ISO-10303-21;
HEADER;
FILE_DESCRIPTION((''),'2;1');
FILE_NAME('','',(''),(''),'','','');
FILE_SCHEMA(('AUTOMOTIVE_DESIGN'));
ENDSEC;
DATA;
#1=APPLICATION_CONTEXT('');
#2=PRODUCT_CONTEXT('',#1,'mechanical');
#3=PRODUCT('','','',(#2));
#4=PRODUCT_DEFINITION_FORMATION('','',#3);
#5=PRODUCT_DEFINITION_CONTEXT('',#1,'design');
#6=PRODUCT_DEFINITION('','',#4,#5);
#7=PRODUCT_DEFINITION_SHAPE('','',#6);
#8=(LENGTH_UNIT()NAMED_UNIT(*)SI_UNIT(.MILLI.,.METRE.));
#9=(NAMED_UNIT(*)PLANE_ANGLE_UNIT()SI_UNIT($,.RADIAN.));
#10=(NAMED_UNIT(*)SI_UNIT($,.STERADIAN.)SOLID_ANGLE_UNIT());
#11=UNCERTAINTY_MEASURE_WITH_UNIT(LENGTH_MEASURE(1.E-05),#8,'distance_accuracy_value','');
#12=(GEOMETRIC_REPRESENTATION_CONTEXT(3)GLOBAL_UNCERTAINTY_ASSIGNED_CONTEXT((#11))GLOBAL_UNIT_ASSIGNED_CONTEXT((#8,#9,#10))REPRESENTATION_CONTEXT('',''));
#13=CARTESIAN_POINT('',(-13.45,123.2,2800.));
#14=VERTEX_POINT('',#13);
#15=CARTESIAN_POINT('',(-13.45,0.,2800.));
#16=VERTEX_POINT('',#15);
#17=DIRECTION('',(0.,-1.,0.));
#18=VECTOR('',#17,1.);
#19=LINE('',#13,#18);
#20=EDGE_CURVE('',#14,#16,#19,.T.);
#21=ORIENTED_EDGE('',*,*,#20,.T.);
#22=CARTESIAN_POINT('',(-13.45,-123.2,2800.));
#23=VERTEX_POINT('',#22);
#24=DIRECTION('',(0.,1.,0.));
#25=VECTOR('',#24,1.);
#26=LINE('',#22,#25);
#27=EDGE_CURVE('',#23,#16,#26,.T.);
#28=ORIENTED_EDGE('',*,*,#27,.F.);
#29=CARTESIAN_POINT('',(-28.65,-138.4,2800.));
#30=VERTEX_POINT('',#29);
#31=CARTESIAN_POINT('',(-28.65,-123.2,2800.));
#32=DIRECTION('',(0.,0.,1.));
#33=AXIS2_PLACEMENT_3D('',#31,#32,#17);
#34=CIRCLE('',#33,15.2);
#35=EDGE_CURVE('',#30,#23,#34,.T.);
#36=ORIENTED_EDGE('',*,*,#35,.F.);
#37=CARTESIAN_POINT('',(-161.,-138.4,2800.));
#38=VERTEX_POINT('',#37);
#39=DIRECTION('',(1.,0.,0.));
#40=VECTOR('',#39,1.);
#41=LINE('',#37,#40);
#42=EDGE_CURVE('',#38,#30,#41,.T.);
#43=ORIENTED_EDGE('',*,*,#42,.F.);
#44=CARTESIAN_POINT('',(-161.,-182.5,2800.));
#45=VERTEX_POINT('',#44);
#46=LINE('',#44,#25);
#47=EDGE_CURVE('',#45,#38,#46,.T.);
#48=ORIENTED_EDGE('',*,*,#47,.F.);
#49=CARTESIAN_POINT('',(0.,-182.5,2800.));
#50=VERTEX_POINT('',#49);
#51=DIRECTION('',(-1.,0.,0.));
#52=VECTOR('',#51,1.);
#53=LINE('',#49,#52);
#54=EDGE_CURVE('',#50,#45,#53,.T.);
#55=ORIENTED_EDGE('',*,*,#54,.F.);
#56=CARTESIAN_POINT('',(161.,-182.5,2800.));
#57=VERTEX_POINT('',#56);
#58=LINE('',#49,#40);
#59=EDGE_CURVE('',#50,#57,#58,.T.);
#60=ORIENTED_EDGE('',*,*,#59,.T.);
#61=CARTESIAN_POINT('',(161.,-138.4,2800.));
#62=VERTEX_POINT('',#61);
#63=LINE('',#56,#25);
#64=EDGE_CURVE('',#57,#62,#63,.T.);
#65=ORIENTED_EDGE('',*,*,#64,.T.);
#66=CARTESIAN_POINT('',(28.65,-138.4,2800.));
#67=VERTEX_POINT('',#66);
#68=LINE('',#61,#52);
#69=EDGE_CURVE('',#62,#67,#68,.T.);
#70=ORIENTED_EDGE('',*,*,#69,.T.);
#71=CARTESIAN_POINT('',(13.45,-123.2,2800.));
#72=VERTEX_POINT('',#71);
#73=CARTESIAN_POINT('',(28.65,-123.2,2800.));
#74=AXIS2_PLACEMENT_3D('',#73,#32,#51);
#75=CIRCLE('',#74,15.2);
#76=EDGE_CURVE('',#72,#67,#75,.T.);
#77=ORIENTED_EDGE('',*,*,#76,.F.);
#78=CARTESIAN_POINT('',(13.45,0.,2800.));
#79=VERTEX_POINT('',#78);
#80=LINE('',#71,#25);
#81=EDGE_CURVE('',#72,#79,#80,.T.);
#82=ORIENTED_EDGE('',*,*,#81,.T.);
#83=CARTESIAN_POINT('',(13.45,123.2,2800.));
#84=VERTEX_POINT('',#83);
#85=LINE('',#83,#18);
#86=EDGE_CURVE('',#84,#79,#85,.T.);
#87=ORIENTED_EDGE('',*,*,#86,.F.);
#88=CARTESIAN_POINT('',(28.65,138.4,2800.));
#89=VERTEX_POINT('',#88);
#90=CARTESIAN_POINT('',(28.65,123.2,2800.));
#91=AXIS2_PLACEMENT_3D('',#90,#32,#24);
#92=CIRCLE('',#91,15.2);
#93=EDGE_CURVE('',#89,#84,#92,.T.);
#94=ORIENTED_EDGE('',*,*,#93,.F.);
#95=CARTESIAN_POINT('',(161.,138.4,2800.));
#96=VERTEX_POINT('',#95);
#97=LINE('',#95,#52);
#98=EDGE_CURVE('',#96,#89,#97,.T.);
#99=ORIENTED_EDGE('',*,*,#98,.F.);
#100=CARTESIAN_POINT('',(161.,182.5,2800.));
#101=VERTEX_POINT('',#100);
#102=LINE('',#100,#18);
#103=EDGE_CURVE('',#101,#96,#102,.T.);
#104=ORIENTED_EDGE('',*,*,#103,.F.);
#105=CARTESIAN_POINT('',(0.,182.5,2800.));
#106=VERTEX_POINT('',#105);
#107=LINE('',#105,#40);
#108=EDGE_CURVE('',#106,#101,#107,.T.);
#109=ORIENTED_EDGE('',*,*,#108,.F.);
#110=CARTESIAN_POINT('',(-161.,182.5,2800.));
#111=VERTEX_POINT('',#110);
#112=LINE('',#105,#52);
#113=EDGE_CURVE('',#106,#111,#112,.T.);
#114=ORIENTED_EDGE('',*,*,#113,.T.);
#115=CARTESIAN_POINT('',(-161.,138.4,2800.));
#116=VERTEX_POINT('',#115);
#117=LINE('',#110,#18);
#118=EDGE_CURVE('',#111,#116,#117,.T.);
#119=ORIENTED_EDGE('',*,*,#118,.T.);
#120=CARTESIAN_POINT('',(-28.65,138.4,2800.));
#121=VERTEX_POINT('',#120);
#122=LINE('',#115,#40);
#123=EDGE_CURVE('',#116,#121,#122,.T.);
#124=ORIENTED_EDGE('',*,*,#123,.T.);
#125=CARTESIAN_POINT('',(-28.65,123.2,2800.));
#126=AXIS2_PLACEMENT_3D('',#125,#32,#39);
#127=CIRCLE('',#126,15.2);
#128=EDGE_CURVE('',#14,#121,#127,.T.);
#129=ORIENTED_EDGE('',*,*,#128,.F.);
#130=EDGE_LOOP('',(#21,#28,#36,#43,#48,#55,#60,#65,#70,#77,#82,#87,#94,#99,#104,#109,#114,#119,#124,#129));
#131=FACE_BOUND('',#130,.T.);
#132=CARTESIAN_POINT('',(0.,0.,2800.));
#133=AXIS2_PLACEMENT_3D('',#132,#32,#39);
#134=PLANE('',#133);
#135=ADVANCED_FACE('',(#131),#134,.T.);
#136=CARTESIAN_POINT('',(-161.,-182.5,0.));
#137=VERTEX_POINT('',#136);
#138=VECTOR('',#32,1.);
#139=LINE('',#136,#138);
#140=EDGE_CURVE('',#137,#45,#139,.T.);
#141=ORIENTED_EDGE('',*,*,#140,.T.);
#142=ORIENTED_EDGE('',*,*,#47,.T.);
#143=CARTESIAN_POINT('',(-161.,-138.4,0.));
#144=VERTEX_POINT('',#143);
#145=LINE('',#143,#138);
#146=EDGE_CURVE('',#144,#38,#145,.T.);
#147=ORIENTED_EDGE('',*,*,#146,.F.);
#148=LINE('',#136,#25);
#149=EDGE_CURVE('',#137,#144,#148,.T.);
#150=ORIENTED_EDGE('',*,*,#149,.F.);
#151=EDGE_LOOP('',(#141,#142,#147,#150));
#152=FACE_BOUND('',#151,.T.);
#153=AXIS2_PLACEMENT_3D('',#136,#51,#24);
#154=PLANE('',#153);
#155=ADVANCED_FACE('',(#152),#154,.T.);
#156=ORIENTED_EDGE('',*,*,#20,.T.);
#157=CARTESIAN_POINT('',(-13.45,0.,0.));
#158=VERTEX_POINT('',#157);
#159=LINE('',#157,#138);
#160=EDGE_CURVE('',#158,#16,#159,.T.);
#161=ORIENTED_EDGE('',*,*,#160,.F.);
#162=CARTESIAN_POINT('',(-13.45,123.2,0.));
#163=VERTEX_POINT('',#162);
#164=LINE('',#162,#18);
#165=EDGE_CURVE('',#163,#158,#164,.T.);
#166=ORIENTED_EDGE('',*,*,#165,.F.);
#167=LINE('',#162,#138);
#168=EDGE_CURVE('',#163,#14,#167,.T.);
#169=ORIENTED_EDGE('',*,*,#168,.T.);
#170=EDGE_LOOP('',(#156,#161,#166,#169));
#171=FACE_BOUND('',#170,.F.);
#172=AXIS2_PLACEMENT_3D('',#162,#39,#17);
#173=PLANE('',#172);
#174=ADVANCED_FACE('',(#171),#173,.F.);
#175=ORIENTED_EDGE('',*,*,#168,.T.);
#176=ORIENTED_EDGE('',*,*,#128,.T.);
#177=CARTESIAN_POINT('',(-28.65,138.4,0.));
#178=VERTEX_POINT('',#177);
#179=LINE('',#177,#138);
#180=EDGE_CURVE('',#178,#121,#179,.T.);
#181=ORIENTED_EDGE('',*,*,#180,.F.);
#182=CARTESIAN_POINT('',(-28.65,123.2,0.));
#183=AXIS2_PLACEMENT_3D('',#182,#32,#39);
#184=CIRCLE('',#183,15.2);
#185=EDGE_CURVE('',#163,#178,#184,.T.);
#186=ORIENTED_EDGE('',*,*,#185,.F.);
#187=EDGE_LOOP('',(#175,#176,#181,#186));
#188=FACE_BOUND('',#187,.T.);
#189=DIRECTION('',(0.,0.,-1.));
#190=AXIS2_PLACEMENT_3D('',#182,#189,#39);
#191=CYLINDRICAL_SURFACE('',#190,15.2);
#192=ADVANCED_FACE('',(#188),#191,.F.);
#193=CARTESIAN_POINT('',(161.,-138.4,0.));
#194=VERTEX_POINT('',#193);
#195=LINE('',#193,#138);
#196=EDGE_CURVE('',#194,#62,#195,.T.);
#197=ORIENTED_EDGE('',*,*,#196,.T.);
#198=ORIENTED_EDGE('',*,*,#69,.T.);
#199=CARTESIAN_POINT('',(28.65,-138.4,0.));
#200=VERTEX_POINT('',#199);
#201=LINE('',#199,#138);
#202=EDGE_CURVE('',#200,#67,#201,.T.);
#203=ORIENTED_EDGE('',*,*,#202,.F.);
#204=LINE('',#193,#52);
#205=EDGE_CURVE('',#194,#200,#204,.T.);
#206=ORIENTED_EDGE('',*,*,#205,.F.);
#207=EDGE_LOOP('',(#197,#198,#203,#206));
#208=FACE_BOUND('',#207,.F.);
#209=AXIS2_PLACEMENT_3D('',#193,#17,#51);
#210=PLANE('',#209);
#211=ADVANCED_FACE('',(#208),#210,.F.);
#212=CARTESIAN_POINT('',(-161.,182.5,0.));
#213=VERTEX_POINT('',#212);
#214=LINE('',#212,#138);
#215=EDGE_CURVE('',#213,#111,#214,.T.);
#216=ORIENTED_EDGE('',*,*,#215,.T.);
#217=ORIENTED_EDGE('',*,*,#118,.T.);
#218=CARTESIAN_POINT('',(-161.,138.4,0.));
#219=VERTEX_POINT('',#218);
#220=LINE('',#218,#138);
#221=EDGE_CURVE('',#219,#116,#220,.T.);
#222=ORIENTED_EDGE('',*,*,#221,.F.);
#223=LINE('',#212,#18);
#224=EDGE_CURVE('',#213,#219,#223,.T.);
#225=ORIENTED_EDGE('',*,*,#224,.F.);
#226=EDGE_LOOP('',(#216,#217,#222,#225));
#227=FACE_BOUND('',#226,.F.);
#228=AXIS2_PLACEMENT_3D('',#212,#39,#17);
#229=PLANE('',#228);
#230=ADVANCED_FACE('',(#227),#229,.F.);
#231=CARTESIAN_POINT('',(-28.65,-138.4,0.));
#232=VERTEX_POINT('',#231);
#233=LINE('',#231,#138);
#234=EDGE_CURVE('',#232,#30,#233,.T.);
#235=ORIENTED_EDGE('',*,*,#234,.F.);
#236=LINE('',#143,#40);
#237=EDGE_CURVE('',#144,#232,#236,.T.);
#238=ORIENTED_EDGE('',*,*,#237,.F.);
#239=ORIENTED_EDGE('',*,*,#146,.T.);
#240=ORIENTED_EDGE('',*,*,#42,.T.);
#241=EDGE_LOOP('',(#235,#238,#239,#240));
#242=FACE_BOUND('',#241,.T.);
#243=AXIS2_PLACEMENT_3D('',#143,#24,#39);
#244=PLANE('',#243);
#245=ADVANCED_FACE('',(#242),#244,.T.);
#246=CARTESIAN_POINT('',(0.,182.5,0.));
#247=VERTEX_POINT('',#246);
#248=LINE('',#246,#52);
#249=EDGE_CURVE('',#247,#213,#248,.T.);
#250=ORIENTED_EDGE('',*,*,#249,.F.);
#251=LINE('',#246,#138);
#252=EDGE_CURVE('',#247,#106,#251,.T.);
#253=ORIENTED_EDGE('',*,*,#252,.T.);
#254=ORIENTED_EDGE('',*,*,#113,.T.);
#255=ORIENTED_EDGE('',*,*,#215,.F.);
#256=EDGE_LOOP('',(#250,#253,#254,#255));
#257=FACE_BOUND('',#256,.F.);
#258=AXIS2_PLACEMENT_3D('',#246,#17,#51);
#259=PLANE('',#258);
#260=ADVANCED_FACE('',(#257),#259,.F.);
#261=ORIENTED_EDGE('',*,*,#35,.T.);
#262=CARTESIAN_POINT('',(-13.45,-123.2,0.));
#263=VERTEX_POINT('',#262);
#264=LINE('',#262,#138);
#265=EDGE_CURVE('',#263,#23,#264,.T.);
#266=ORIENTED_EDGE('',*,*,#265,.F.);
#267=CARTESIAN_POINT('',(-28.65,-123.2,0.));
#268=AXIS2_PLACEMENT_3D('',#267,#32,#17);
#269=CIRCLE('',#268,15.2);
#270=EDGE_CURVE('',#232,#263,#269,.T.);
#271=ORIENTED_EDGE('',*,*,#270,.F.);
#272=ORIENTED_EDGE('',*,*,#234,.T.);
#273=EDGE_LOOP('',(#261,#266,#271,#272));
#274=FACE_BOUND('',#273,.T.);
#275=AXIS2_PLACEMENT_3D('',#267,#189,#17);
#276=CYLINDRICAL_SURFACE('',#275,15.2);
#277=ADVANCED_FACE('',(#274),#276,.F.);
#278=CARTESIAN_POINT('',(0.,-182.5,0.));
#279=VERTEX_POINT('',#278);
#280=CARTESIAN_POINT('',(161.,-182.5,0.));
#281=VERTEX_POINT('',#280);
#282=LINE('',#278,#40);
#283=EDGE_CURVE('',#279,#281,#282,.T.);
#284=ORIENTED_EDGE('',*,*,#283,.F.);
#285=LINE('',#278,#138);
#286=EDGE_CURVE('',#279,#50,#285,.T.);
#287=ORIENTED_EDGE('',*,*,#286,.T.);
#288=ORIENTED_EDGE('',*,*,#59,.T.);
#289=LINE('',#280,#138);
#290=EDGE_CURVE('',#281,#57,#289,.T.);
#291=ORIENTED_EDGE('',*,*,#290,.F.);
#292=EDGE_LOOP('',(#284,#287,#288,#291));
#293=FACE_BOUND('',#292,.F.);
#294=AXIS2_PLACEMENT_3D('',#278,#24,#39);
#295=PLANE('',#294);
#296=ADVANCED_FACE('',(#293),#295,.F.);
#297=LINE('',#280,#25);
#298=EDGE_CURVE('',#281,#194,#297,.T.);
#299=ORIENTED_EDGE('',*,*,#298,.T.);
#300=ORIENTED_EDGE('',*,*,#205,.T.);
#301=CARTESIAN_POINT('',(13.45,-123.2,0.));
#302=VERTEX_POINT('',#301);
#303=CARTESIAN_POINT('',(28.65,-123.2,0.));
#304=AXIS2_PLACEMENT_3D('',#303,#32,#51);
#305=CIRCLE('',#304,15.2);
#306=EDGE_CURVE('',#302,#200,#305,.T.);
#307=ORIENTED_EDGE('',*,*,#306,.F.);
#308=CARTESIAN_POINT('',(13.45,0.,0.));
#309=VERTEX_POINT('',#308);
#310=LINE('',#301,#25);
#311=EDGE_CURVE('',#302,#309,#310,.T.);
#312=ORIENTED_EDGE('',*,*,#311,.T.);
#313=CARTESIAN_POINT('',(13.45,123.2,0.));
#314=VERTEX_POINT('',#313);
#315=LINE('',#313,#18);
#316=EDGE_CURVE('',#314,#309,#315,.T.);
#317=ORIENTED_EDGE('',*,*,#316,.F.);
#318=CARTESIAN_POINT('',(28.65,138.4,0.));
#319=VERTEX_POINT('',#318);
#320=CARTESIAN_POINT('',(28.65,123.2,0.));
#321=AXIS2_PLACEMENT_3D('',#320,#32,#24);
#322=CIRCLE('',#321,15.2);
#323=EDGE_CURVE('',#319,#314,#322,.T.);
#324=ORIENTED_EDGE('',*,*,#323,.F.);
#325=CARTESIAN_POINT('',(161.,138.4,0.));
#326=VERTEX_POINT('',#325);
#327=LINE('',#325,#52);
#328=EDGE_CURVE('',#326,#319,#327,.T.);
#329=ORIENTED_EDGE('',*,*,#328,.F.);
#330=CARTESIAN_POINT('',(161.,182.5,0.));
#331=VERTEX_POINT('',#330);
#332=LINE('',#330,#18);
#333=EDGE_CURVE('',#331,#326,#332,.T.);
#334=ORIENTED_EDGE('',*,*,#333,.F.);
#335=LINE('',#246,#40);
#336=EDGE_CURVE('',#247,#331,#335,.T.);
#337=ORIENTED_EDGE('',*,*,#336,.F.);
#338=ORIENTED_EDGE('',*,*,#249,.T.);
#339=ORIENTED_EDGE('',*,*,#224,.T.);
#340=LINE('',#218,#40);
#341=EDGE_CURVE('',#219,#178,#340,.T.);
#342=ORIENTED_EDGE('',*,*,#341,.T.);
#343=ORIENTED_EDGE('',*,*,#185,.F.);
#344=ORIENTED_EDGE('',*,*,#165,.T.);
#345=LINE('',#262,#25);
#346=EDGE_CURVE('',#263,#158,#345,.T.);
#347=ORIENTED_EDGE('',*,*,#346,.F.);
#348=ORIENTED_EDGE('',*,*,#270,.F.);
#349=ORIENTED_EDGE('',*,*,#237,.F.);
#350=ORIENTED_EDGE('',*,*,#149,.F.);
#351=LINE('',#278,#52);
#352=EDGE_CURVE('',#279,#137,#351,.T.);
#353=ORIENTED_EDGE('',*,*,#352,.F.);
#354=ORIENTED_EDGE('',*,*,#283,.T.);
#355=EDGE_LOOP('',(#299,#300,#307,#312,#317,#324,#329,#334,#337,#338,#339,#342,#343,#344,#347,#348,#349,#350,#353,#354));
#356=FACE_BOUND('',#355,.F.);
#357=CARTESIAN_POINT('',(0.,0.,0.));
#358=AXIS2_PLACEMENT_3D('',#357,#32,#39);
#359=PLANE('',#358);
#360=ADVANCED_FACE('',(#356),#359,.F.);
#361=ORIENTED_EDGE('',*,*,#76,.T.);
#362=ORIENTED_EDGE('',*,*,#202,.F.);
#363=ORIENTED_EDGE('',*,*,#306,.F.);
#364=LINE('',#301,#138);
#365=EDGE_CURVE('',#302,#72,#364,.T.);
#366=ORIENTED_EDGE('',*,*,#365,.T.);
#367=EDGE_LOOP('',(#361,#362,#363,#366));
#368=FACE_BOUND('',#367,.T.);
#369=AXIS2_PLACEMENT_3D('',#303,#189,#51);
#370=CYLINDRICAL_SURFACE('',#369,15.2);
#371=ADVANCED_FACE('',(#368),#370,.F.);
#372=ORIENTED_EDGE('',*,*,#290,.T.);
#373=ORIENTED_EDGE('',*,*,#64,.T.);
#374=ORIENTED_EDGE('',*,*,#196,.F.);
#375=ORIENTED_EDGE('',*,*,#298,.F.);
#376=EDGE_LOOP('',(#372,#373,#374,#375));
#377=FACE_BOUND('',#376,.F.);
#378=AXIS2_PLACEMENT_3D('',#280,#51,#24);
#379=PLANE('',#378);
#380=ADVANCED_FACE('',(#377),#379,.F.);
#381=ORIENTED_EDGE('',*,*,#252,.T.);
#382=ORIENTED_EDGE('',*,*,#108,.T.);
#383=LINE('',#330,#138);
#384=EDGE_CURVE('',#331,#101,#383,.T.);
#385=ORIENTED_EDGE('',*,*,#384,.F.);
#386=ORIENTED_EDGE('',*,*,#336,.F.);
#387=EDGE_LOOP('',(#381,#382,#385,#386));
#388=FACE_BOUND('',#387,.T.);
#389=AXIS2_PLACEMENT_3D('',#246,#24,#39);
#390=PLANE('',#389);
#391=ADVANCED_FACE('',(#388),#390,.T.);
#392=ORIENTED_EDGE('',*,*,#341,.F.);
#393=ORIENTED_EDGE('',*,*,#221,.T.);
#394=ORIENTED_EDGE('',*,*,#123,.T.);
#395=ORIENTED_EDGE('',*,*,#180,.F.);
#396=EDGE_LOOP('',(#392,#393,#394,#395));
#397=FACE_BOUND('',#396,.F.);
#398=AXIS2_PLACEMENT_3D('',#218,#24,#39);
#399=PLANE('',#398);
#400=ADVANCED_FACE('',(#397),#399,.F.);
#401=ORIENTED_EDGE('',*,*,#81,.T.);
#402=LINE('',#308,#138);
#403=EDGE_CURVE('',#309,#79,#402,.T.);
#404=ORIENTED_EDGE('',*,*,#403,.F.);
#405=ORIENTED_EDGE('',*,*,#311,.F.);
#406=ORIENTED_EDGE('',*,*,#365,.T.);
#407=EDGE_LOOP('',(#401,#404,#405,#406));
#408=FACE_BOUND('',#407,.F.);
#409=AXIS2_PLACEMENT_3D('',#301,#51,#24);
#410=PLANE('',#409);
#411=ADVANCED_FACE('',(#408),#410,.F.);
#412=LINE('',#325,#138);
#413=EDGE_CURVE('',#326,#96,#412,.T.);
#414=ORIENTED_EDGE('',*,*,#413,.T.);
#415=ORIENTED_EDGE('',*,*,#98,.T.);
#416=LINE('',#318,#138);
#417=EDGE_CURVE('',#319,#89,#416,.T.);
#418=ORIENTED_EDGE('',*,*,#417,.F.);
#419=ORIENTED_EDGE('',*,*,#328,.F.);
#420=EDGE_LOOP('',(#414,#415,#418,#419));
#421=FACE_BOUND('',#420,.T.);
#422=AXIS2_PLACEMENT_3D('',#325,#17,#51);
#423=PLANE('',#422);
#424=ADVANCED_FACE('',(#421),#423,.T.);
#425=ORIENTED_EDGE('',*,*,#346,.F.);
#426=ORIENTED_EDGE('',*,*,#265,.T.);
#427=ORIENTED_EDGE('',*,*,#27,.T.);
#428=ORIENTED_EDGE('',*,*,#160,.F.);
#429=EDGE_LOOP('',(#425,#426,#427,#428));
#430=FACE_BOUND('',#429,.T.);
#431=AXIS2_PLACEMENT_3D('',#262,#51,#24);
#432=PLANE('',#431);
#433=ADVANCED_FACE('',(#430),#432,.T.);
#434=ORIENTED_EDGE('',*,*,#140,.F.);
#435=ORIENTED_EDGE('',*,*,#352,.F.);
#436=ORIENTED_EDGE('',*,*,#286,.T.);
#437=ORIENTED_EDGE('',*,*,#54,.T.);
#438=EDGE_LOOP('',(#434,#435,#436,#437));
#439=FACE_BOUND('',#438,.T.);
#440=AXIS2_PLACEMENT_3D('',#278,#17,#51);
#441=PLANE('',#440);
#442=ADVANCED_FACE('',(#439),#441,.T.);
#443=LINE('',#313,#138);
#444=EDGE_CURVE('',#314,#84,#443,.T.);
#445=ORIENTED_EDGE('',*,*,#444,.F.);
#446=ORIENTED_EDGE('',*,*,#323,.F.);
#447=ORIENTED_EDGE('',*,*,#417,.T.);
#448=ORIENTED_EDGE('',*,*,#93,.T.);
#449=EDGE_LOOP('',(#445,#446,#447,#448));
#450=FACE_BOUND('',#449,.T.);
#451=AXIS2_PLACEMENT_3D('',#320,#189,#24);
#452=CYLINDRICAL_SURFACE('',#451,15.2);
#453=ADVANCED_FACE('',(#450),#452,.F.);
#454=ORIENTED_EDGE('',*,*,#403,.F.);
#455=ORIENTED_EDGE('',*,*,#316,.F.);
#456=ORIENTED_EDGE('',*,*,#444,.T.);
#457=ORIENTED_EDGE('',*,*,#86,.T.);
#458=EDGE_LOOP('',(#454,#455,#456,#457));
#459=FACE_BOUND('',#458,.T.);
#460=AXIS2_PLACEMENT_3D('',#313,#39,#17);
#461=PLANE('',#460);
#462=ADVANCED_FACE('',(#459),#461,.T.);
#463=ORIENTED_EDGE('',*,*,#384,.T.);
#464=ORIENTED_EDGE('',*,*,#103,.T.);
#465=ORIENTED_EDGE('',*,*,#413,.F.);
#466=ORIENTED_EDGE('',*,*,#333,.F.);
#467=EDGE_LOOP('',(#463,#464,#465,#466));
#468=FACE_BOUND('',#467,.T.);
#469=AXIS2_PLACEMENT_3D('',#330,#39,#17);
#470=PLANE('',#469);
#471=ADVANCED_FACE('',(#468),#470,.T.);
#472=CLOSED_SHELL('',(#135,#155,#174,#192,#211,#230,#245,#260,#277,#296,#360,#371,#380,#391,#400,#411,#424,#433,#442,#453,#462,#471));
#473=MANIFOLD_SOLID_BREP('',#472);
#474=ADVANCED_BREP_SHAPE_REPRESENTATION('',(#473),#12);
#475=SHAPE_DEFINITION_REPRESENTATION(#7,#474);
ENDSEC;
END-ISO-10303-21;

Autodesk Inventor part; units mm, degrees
ref_plane "YZ Plane" through (0, 0, 0) normal (1, 0, 0) x (0, 1, 0)
ref_plane "Start plane" through (0, 0, 0) normal (0, 0, 1) x (1, 0, 0)
ref_plane "End plane" through (0, 0, 2800) normal (0, 0, 1) x (1, 0, 0)
sketch "Sketch" plane through (0, 0, 0) normal (0, 0, 1) x (1, 0, 0)
  line L0 (-161, -182.5) -> (-161, -138.4)
  line L1 (-161, -138.4) -> (-28.65, -138.4)
  line L2 (-13.45, -123.2) -> (-13.45, 0)
  line L3 (-13.45, 0) -> (0, 0) construction
  line L4 (0, 0) -> (0, -182.5) construction
  line L5 (0, -182.5) -> (-161, -182.5)
  line L6 (-60, 0) -> (80, 0) construction
  line L7 (0, -60) -> (0, 80) construction
  line L8 (161, -182.5) -> (161, -138.4)
  line L9 (161, -138.4) -> (28.65, -138.4)
  line L10 (13.45, -123.2) -> (13.45, 0)
  line L11 (13.45, 0) -> (0, 0) construction
  line L12 (0, -182.5) -> (161, -182.5)
  line L13 (-161, 182.5) -> (-161, 138.4)
  line L14 (-161, 138.4) -> (-28.65, 138.4)
  line L15 (-13.45, 123.2) -> (-13.45, 0)
  line L16 (0, 182.5) -> (-161, 182.5)
  line L17 (161, 182.5) -> (161, 138.4)
  line L18 (161, 138.4) -> (28.65, 138.4)
  line L19 (0, 182.5) -> (161, 182.5)
  line L20 (13.45, 123.2) -> (13.45, 0)
  arc A0 (-13.45, 123.2) -> (-28.65, 138.4) centre (-28.65, 123.2) ccw
  arc A1 (28.65, 138.4) -> (13.45, 123.2) centre (28.65, 123.2) ccw
  arc A2 (13.45, -123.2) -> (28.65, -138.4) centre (28.65, -123.2) ccw
  arc A3 (-28.65, -138.4) -> (-13.45, -123.2) centre (-28.65, -123.2) ccw
  line L21 (0, 108) -> (0, -88) construction
  line L22 (-88, 0) -> (108, 0) construction
  point P0 (-13.45, -138.4)
  point P1 (13.45, -138.4)
  point P2 (-13.45, 138.4)
  point P3 (13.45, 138.4)
  dimension "d1" = 182.5
  dimension "d2" = 44.1
  dimension "d3" = 161
  dimension "d4" = 13.45
  dimension "d10" = 15.2
extrude "Body" add sketch "Sketch" along normal up to surface (2800 mm away) from surface at 0
sketch "Sketch4" plane through (0, 0, 0) normal (0, 0, 1) x (1, 0, 0)
  line L0 (0, 0) -> (10, 0)
ref_plane "Work Plane3" through (0, 0, 0) normal (0, -1, 0) x (1, 0, 0)
sketch "Sketch5" plane through (0, 0, 0) normal (0, -1, 0) x (1, 0, 0)
  line L0 (-2, 0) -> (12, 0) projected
  line L1 (-2, 2800) -> (12, 2800) projected
  dimension "d14" = 2800
equation "\"d1\" = 0.5 * G_H"
equation "\"d2\" = G_T1"
equation "\"d3\" = 0.5 * G_W"
equation "\"d4\" = 0.5 * G_T"
equation "\"d10\" = G_IR"
equation "\"d5\" = G_L"
equation "\"G_W\" = 322"
equation "\"G_H\" = 365"
equation "\"G_T\" = 26.9"
equation "\"G_T1\" = 44.1"
equation "\"G_IR\" = 15.2"
equation "\"G_L\" = d14"
equation "\"G_OFFSET_START\" = 0"
equation "\"G_OFFSET_END\" = 0"
properties part number "AS 3679 - 310 UC - 283 - 2800" material "Steel, Mild"
